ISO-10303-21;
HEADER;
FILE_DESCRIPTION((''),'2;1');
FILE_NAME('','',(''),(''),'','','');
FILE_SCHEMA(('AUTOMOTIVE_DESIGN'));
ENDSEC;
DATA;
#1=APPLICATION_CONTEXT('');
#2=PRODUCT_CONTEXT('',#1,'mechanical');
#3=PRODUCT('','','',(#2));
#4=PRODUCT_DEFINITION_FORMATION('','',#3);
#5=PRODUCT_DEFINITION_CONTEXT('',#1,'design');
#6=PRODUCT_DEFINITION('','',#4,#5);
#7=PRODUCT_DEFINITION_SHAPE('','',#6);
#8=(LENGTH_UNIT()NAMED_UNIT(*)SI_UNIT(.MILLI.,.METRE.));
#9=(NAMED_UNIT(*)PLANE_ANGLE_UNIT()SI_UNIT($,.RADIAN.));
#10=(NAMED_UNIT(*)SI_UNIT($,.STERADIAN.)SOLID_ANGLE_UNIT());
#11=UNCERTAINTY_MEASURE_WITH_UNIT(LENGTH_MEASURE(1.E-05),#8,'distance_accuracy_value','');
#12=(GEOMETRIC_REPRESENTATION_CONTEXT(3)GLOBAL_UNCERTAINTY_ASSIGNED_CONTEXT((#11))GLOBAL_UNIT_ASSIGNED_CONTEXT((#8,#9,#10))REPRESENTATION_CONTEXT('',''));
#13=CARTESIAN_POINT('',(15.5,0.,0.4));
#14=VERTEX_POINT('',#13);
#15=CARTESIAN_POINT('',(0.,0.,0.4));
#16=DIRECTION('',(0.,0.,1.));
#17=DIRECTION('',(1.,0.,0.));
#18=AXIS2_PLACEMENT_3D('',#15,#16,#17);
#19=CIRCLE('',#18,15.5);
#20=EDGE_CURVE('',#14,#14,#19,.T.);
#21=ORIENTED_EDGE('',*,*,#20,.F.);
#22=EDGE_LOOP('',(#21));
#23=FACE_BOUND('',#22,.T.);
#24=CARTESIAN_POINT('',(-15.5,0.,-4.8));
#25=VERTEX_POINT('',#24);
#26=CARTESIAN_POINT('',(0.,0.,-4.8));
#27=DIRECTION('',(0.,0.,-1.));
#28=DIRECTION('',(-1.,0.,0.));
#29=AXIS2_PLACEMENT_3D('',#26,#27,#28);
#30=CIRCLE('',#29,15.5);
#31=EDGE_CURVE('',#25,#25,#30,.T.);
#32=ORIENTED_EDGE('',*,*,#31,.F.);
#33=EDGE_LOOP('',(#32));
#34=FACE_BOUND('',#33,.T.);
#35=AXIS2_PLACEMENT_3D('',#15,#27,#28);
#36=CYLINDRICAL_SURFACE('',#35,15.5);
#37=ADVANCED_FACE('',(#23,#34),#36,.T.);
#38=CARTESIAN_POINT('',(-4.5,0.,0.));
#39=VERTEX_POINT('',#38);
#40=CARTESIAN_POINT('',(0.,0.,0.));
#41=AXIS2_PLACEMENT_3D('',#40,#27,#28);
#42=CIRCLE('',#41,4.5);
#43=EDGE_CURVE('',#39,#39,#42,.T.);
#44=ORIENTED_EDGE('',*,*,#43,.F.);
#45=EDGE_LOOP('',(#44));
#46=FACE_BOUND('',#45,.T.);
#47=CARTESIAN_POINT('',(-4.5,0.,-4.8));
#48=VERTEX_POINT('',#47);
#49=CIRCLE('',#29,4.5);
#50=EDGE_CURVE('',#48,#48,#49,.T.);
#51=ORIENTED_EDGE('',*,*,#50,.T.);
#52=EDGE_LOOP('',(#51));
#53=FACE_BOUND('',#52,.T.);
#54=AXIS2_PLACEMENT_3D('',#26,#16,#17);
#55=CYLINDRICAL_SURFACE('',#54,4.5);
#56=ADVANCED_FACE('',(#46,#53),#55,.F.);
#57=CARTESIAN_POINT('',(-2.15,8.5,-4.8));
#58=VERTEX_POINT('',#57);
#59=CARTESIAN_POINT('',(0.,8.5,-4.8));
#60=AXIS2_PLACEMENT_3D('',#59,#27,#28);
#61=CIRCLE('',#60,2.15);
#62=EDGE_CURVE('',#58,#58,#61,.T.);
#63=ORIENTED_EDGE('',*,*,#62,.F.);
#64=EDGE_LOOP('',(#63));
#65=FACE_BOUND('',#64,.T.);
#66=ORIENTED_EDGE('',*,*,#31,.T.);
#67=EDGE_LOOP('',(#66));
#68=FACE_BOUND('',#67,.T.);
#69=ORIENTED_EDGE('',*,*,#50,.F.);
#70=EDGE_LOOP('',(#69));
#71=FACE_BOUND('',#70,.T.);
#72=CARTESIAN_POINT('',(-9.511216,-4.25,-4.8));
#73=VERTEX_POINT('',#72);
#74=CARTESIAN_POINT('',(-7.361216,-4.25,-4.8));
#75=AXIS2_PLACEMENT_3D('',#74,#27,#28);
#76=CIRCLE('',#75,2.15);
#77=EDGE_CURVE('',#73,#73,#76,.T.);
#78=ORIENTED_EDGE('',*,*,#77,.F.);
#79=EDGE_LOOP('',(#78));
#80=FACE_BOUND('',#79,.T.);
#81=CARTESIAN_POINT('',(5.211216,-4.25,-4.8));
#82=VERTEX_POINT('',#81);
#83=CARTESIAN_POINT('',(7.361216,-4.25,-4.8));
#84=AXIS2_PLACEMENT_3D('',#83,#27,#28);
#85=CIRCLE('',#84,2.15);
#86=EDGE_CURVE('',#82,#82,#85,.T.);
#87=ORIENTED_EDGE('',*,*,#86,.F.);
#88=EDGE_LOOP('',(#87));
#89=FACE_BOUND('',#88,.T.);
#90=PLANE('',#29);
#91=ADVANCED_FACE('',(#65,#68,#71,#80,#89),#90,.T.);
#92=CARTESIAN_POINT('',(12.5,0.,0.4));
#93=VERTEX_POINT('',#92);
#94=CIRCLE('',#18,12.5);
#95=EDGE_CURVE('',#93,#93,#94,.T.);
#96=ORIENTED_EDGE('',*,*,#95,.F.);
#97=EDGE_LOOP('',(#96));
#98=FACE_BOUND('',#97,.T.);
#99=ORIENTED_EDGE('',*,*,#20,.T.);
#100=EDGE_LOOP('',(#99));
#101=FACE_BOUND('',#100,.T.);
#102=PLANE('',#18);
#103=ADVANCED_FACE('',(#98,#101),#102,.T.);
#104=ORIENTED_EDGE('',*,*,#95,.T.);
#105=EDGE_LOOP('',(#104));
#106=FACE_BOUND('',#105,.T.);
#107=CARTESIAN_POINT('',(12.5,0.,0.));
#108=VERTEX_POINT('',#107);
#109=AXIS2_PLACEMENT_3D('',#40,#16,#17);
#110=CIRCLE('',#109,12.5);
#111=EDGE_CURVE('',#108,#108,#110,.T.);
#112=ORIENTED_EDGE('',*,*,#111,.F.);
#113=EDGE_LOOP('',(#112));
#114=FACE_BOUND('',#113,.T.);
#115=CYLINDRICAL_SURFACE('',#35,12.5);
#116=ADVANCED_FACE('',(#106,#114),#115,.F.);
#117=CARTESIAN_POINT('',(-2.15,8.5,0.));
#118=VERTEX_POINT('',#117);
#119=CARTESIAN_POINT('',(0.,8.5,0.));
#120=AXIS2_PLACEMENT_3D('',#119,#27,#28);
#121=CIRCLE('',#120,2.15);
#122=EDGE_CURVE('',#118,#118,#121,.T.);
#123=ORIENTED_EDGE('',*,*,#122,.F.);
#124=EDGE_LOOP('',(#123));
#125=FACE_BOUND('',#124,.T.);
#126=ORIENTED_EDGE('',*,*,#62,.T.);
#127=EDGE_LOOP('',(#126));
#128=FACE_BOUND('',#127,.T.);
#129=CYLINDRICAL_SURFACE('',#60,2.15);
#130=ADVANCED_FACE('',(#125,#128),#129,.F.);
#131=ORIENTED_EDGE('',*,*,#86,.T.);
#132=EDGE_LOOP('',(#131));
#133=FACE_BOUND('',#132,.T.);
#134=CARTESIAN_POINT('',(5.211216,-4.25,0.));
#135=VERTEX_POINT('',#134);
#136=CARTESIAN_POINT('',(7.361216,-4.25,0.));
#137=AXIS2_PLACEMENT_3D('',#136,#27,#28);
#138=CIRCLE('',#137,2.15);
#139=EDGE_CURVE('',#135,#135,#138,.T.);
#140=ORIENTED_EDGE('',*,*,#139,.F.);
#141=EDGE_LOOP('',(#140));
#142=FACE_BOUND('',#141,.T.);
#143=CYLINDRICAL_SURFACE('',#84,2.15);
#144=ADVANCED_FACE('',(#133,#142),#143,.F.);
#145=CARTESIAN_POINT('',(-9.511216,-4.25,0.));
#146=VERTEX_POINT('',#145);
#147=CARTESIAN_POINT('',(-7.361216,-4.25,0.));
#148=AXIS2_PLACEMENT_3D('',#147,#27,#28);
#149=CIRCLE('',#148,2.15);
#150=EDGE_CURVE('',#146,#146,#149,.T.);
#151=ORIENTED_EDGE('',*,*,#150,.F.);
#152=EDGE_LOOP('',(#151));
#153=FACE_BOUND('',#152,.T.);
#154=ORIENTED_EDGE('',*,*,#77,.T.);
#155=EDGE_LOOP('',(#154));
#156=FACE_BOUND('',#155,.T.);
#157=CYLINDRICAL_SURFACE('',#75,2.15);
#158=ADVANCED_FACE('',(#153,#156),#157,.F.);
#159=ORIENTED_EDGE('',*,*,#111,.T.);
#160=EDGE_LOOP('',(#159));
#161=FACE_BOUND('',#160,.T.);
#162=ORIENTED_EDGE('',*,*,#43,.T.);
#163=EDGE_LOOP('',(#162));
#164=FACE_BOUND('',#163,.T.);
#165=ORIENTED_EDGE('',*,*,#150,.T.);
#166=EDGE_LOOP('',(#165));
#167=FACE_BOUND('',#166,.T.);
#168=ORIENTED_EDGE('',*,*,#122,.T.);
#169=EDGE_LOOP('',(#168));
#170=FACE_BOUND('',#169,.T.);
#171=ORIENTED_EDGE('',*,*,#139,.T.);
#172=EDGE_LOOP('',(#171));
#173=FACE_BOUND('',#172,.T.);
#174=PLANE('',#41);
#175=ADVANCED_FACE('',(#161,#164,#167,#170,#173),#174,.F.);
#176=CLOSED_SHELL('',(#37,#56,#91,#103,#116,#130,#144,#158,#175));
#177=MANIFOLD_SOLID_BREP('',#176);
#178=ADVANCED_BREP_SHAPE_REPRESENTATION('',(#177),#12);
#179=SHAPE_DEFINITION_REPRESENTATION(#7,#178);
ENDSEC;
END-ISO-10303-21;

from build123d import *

# Parameters (mm, degrees)
SKETCH1_R            = 15.5
SKETCH1_R_2          = 12.5
BOSS_EXTRUDE1_DEPTH  = 0.4
SKETCH2_R            = 15.5
SKETCH2_R_2          = 4.5
BOSS_EXTRUDE2_DEPTH  = 4.8
M4_CLEARANCE_HOLE1_D = 4.3


with BuildPart() as part:
    # Sketch1 → Boss-Extrude1 (new body)
    with BuildSketch(Plane.XY):
        Circle(SKETCH1_R)
        Circle(SKETCH1_R_2, mode=Mode.SUBTRACT)
    extrude(amount=BOSS_EXTRUDE1_DEPTH)

    # Sketch2 → Boss-Extrude2 (add)
    with BuildSketch(Plane(origin=(0, 0, 0), x_dir=(-1, 0, 0), z_dir=(0, 0, -1))):
        Circle(SKETCH2_R)
        Circle(SKETCH2_R_2, mode=Mode.SUBTRACT)
    extrude(amount=BOSS_EXTRUDE2_DEPTH)

    # M4 Clearance Hole1 (through all)
    with Locations(Plane(origin=(0, 0, -4.8), x_dir=(-1, 0, 0), z_dir=(0, 0, -1))):
        with Locations((0, 8.5), (7.361215932, -4.25), (-7.361215932, -4.25)):
            Hole(M4_CLEARANCE_HOLE1_D / 2)


solid = part.part
